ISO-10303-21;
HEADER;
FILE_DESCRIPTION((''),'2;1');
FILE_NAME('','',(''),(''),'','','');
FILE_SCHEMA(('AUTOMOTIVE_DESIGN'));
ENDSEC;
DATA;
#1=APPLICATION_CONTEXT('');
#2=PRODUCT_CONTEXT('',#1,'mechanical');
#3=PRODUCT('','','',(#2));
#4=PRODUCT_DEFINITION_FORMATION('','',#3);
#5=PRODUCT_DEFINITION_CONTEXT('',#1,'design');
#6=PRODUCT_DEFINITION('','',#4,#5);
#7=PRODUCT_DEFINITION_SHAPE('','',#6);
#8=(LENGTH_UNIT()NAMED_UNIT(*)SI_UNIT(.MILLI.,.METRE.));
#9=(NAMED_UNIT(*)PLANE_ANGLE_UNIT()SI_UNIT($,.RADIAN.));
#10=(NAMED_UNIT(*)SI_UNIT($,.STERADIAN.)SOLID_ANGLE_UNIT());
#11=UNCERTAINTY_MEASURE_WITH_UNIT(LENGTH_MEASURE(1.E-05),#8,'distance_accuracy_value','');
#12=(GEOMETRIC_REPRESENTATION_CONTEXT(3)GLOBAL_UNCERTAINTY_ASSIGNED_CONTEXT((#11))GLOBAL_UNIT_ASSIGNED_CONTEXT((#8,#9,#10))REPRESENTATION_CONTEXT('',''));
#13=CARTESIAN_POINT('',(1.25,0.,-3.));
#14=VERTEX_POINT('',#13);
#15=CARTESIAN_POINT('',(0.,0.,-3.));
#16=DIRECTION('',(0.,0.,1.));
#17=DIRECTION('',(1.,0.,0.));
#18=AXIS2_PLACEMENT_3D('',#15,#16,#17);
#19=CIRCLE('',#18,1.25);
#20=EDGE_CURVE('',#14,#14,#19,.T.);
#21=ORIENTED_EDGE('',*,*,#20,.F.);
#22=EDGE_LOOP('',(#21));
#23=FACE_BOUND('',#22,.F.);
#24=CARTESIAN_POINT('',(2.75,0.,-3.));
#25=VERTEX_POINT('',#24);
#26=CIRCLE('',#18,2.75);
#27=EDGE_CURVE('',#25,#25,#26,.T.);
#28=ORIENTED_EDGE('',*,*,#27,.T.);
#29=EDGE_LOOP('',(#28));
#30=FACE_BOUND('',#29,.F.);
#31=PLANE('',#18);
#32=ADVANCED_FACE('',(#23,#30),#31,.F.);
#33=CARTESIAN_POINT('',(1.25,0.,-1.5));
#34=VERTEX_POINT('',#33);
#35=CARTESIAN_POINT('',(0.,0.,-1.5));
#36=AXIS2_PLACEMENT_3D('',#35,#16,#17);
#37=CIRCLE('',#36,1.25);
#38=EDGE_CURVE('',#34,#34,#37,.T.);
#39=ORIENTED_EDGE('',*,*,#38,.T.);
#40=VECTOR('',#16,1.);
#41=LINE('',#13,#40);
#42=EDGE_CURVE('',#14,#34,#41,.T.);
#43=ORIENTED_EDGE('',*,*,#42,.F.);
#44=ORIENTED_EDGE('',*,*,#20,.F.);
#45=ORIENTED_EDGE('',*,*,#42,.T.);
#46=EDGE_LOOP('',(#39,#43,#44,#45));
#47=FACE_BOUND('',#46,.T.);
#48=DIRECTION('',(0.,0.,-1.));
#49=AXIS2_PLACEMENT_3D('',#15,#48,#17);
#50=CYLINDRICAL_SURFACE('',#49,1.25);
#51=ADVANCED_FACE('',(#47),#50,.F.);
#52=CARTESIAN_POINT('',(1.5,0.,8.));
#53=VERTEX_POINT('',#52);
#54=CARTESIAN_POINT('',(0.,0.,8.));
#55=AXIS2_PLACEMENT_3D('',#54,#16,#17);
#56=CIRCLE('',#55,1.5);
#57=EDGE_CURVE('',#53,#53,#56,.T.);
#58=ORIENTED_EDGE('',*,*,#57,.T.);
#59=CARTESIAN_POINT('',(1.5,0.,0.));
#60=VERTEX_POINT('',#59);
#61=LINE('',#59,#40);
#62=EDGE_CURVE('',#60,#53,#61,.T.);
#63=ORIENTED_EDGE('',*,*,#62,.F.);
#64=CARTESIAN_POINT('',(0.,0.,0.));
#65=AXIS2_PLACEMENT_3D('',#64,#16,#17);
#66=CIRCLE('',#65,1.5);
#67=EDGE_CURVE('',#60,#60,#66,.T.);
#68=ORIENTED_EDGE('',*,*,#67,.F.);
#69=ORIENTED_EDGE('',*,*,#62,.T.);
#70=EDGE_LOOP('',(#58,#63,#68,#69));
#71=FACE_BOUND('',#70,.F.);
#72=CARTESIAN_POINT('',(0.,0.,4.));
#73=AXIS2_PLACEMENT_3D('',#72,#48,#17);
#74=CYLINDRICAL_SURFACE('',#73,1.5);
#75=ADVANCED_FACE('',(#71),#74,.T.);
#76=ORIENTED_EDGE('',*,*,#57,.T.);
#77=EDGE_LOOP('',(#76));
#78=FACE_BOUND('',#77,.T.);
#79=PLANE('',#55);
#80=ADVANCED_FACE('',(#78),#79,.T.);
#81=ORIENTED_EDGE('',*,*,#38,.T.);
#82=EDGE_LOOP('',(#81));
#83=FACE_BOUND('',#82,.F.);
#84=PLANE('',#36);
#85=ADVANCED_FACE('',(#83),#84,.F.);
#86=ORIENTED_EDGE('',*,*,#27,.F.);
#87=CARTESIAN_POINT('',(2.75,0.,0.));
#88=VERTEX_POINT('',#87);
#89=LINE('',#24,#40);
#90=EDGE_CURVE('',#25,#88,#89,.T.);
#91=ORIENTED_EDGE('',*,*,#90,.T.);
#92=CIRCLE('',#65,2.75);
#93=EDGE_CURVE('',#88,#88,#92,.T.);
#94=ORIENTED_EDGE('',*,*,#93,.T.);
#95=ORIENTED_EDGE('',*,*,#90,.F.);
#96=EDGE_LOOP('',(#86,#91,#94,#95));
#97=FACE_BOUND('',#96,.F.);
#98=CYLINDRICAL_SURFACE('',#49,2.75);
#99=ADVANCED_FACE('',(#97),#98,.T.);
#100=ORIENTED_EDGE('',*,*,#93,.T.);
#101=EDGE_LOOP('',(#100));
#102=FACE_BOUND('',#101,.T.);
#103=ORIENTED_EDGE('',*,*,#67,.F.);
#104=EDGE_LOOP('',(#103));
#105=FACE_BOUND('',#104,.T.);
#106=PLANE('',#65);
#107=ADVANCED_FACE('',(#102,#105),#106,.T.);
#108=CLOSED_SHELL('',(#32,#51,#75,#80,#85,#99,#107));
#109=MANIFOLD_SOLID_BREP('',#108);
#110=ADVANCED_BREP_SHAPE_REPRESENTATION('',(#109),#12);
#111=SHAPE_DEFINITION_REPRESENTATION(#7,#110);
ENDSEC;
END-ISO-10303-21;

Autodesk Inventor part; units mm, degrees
ref_plane "Work Plane1" through (0, 0, -3) normal (0, 0, 1) x (1, 0, 0)
sketch "Sketch1" plane through (0, 0, -3) normal (0, 0, 1) x (1, 0, 0)
  circle A0 centre (0, 0) radius 2.75
extrude "M3_Head_Envelope" add sketch "Sketch1" along normal blind 3
sketch "Sketch2" plane through (0, 0, 0) normal (0, 0, 1) x (1, 0, 0)
  circle A0 centre (0, 0) radius 1.5
extrude "M3_Clearance_Grip" add sketch "Sketch2" along normal blind 4
ref_plane "Work Plane2" through (0, 0, 4) normal (0, 0, 1) x (1, 0, 0)
sketch "Sketch3" plane through (0, 0, 4) normal (0, 0, 1) x (1, 0, 0)
  circle A0 centre (0, 0) radius 1.5
extrude "Thread_Core_No_Helix" add sketch "Sketch3" along normal blind 4
ref_plane "Work Plane3" through (0, 0, -3) normal (0, 0, 1) x (1, 0, 0)
sketch "Sketch4" plane through (0, 0, -3) normal (0, 0, 1) x (1, 0, 0)
  circle A0 centre (0, 0) radius 1.25
extrude "Extrusion4" cut sketch "Sketch4" along normal blind 1.5
properties part number "Rod_M3x8_Simplified"
